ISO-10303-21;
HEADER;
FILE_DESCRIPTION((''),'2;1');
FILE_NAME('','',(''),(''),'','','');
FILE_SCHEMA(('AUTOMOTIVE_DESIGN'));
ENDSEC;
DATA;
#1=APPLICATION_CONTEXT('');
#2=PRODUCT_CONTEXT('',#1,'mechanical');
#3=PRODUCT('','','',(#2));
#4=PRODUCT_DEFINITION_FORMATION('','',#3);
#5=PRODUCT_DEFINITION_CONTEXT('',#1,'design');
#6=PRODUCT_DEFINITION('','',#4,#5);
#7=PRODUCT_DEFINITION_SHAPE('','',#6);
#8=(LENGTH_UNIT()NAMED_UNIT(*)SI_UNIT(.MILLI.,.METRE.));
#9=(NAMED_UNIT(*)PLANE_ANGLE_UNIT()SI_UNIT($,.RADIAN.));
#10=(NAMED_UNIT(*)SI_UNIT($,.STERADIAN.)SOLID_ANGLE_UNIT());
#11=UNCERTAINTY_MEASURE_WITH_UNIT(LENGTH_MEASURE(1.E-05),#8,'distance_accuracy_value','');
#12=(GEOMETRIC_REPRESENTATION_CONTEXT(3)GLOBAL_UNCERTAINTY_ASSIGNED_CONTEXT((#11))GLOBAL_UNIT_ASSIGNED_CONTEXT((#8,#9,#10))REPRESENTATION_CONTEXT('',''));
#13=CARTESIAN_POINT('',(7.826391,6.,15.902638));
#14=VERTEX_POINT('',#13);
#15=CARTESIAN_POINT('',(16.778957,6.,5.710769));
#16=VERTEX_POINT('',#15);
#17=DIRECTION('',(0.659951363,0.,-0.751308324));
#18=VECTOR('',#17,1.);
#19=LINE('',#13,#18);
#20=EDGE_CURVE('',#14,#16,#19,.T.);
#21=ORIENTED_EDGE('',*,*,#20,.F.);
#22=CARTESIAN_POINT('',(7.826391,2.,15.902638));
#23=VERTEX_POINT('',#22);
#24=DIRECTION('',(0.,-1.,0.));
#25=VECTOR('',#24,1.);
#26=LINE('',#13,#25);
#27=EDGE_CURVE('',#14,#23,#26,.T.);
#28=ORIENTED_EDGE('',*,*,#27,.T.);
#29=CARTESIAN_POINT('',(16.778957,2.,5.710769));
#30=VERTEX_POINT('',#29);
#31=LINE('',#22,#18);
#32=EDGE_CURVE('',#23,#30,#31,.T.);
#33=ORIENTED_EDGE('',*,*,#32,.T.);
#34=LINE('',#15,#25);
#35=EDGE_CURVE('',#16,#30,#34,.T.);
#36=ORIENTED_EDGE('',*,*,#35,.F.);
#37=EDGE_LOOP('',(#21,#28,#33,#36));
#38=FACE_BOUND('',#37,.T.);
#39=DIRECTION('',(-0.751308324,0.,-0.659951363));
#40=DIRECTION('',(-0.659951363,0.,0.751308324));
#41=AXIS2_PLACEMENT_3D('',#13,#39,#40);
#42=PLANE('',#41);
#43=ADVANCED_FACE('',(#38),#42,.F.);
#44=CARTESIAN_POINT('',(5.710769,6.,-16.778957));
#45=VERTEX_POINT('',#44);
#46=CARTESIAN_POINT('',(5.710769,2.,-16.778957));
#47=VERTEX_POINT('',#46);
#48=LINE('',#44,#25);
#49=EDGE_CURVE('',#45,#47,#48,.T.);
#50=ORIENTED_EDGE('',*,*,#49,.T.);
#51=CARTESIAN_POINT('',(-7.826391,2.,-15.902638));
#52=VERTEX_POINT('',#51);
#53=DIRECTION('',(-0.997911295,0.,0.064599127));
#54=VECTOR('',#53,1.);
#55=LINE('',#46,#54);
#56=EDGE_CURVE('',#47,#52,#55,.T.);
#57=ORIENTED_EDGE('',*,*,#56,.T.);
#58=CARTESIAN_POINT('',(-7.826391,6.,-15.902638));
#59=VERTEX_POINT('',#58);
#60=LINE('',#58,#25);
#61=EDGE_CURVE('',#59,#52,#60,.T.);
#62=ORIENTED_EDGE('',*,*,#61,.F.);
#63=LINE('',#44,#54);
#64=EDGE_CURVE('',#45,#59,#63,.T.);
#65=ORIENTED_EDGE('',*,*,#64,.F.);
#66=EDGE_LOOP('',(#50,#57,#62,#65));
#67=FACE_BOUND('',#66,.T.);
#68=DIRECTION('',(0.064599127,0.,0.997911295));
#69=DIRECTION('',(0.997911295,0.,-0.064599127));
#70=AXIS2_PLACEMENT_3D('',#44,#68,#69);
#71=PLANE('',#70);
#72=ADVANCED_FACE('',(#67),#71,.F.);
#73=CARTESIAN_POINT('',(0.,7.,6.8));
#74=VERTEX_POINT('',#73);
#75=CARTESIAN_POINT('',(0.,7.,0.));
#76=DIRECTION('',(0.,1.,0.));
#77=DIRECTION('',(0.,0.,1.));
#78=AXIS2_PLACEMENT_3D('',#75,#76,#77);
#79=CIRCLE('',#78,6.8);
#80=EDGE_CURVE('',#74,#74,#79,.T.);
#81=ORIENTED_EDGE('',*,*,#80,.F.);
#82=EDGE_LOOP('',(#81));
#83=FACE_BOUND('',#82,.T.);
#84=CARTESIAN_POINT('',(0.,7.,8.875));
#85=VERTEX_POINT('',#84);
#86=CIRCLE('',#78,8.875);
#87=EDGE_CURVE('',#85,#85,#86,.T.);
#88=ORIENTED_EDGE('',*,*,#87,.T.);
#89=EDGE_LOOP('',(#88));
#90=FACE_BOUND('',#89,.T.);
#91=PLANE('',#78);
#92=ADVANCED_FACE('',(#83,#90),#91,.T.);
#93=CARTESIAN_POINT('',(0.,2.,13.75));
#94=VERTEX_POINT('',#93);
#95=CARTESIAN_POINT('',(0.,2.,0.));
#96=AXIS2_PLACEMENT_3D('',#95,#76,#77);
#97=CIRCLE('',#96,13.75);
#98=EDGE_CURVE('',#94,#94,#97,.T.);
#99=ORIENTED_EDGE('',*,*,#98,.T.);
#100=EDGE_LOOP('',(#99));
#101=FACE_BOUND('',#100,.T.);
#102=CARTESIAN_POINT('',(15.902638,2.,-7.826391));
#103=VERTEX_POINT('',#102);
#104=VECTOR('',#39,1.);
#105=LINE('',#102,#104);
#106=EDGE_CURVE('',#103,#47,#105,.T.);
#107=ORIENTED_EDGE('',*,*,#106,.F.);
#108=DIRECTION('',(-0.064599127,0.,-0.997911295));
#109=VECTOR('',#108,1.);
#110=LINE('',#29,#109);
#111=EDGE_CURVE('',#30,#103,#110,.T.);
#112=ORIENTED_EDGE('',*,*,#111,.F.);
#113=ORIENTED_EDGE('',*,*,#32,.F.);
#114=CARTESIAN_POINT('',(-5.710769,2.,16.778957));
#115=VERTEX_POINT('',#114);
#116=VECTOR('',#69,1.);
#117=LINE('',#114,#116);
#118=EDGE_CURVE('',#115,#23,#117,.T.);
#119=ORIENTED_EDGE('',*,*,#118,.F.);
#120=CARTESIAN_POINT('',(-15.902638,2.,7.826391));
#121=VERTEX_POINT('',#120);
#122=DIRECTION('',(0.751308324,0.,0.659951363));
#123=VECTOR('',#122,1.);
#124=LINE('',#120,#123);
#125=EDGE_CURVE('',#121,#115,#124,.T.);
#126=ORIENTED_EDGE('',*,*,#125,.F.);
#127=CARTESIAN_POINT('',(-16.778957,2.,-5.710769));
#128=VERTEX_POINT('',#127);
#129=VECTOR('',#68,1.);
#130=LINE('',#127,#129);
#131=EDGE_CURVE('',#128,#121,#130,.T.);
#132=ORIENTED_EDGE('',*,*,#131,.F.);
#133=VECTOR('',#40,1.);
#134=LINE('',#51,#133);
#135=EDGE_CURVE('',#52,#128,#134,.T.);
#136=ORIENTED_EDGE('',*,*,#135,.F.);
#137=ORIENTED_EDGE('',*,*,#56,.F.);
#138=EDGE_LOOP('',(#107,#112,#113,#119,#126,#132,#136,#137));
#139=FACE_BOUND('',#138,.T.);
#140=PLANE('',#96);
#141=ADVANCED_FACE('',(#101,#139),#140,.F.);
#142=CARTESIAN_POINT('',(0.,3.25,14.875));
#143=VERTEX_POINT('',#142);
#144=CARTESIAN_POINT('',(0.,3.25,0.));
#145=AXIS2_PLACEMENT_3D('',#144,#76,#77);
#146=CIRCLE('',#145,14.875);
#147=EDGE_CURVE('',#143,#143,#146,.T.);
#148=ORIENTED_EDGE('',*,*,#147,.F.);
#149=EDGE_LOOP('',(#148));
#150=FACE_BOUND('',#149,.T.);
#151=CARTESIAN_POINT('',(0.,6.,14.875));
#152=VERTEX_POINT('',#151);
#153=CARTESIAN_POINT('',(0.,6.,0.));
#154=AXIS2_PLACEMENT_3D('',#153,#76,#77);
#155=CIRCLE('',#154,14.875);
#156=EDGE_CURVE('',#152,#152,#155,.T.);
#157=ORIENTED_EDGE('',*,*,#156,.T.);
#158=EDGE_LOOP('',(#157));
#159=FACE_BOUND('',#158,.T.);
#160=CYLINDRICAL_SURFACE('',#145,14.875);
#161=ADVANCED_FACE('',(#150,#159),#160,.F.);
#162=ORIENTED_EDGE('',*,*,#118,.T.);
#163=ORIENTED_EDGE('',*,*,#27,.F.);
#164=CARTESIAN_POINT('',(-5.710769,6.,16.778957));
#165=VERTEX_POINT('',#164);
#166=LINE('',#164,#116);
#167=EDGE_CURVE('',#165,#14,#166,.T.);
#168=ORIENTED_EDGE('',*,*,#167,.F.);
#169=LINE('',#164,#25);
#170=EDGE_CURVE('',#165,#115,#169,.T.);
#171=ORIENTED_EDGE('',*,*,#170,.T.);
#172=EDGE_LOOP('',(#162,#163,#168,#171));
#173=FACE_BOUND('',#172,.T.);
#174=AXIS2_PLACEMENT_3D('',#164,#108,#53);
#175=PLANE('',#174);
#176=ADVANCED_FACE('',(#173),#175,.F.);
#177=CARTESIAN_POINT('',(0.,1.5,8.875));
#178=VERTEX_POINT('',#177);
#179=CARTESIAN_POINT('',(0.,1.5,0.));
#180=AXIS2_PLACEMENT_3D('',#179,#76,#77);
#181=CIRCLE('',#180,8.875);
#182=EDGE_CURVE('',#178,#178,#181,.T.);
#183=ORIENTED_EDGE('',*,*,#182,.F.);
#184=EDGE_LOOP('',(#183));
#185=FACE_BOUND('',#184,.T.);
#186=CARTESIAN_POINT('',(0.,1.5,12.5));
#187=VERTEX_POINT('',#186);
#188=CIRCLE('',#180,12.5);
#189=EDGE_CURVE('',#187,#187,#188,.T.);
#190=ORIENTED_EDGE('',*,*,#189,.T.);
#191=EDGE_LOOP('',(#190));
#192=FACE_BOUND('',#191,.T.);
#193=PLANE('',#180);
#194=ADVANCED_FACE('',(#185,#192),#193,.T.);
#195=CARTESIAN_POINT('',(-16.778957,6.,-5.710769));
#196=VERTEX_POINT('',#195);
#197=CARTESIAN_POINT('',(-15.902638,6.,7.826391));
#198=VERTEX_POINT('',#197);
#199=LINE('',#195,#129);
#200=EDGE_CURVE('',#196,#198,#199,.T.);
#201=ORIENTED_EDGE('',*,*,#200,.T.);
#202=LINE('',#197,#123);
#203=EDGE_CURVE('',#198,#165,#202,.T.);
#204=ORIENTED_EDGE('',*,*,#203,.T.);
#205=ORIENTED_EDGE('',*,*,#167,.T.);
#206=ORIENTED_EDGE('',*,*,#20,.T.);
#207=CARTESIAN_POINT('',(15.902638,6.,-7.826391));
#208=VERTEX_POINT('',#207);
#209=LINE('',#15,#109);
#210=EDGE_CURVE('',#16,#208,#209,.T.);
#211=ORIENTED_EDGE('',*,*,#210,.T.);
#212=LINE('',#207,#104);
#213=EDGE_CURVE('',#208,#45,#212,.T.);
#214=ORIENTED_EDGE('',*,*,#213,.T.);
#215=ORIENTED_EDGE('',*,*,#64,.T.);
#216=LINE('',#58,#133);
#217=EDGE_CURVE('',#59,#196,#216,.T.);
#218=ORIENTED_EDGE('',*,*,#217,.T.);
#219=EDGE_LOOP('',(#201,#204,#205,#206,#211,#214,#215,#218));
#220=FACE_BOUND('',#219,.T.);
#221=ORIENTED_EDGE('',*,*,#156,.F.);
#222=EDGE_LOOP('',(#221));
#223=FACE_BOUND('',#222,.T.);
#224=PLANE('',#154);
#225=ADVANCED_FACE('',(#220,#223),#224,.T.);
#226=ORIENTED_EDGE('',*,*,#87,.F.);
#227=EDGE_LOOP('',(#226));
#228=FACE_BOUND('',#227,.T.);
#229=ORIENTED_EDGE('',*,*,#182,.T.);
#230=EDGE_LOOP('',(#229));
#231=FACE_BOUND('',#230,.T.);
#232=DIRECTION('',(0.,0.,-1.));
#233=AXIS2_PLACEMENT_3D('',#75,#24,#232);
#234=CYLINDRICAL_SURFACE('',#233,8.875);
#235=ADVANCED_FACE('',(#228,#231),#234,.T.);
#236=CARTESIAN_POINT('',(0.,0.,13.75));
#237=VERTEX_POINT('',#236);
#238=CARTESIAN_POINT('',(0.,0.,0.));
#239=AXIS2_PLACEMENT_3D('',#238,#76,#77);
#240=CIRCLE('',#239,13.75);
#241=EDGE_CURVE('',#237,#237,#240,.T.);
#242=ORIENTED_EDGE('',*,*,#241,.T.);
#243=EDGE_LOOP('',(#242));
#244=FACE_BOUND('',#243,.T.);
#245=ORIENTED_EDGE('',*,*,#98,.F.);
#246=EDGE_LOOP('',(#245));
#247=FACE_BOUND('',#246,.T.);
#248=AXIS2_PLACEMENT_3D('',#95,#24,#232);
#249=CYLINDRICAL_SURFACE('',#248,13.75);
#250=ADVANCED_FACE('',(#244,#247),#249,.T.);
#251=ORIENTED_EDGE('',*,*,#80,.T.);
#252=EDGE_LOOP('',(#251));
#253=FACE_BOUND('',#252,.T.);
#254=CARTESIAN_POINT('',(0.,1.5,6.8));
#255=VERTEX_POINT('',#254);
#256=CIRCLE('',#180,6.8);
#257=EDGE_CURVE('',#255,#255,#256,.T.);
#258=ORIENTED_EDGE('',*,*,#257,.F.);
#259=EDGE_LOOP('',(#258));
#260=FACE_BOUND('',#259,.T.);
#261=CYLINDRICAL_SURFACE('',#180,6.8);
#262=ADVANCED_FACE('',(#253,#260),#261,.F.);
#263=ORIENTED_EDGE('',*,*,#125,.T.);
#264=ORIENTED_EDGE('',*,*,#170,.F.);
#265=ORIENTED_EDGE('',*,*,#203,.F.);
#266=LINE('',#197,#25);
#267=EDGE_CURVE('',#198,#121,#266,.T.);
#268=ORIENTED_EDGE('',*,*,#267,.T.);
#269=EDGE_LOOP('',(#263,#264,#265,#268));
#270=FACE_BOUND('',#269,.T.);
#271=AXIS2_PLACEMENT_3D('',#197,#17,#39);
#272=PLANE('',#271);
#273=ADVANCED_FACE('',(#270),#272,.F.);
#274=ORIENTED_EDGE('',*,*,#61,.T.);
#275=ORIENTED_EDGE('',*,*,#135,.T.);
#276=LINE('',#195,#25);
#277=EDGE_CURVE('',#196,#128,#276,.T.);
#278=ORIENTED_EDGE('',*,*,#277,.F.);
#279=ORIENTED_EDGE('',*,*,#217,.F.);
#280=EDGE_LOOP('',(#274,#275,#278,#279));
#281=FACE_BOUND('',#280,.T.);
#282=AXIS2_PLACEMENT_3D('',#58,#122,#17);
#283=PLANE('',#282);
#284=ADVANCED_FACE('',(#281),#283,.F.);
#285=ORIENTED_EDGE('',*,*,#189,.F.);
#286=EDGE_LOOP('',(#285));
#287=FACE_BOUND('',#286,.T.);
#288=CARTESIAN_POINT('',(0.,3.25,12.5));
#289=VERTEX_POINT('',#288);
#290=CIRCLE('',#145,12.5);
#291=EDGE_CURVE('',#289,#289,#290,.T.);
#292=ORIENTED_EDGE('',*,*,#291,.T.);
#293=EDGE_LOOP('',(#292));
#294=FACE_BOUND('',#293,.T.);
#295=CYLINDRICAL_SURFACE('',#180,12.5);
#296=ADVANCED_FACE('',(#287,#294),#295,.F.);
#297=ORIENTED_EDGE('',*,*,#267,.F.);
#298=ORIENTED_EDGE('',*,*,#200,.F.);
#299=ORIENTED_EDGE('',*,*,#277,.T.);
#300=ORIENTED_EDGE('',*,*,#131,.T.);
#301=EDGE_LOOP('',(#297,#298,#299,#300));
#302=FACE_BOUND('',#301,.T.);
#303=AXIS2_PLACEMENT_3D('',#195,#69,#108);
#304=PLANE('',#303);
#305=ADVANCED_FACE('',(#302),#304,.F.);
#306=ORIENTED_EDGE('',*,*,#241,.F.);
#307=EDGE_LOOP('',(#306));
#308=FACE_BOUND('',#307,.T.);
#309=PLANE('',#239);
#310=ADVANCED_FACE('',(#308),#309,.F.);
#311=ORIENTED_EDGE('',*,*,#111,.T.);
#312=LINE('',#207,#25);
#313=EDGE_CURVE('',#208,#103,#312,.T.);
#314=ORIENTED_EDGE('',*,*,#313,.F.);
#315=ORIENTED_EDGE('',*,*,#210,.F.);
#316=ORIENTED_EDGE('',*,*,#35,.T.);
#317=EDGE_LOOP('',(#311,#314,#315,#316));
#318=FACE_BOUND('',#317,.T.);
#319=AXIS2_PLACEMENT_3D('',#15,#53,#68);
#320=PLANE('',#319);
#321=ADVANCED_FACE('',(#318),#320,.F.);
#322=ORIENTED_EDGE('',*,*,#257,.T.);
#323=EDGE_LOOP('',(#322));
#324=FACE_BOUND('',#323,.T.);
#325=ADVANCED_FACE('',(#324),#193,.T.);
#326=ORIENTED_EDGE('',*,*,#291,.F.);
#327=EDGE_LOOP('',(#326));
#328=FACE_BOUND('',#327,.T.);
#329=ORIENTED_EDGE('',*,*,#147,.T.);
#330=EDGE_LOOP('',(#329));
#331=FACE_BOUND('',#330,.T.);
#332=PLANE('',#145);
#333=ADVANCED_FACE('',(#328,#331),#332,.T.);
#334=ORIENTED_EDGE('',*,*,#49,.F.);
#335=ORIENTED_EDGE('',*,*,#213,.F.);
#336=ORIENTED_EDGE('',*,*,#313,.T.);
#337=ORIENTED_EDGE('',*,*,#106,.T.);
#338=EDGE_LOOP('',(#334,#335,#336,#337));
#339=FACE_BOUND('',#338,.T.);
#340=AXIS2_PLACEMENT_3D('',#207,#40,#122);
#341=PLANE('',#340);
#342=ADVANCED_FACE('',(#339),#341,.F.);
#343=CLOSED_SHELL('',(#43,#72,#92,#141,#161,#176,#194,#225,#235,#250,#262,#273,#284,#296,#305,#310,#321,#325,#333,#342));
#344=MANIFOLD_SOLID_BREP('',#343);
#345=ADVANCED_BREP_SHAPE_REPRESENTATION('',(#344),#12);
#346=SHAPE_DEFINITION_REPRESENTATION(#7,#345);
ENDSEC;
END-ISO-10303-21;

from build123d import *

# Parameters (mm, degrees)
SKETCH1_R           = 13.75
BOSS_EXTRUDE1_DEPTH = 2
BOSS_EXTRUDE2_DEPTH = 4
SKETCH3_R           = 14.875
CUT_EXTRUDE1_DEPTH  = 2.75
SKETCH4_R           = 12.5
CUT_EXTRUDE2_DEPTH  = 1.75
SKETCH5_R           = 8.875
BOSS_EXTRUDE3_DEPTH = 5.5
SKETCH6_R           = 6.8
CUT_EXTRUDE3_DEPTH  = 5.5


with BuildPart() as part:
    # Sketch1 → Boss-Extrude1 (new body)
    with BuildSketch(Plane(origin=(0, 0, 0), x_dir=(1, 0, 0), z_dir=(0, 1, 0))):
        Circle(SKETCH1_R)
    extrude(amount=BOSS_EXTRUDE1_DEPTH)

    # Sketch2 → Boss-Extrude2 (add)
    with BuildSketch(Plane(origin=(0, 2, 0), x_dir=(1, 0, 0), z_dir=(0, 1, 0))):
        Polygon((16.778956996, -5.710769223), (15.902637917, 7.82639063), (5.710769223, 16.778956996), (-7.82639063, 15.902637917), (-16.778956996, 5.710769223), (-15.902637917, -7.82639063), (-5.710769223, -16.778956996), (7.82639063, -15.902637917), align=None)
    extrude(amount=BOSS_EXTRUDE2_DEPTH)

    # Sketch3 → Cut-Extrude1 (cut)
    with BuildSketch(Plane(origin=(0, 6, 0), x_dir=(1, 0, 0), z_dir=(0, 1, 0))):
        Circle(SKETCH3_R)
    extrude(amount=-CUT_EXTRUDE1_DEPTH, mode=Mode.SUBTRACT)

    # Sketch4 → Cut-Extrude2 (cut)
    with BuildSketch(Plane(origin=(0, 3.25, 0), x_dir=(1, 0, 0), z_dir=(0, 1, 0))):
        Circle(SKETCH4_R)
    extrude(amount=-CUT_EXTRUDE2_DEPTH, mode=Mode.SUBTRACT)

    # Sketch5 → Boss-Extrude3 (add)
    with BuildSketch(Plane(origin=(0, 1.5, 0), x_dir=(1, 0, 0), z_dir=(0, 1, 0))):
        Circle(SKETCH5_R)
    extrude(amount=BOSS_EXTRUDE3_DEPTH)

    # Sketch6 → Cut-Extrude3 (cut)
    with BuildSketch(Plane(origin=(0, 7, 0), x_dir=(1, 0, 0), z_dir=(0, 1, 0))):
        Circle(SKETCH6_R)
    extrude(amount=-CUT_EXTRUDE3_DEPTH, mode=Mode.SUBTRACT)


solid = part.part
